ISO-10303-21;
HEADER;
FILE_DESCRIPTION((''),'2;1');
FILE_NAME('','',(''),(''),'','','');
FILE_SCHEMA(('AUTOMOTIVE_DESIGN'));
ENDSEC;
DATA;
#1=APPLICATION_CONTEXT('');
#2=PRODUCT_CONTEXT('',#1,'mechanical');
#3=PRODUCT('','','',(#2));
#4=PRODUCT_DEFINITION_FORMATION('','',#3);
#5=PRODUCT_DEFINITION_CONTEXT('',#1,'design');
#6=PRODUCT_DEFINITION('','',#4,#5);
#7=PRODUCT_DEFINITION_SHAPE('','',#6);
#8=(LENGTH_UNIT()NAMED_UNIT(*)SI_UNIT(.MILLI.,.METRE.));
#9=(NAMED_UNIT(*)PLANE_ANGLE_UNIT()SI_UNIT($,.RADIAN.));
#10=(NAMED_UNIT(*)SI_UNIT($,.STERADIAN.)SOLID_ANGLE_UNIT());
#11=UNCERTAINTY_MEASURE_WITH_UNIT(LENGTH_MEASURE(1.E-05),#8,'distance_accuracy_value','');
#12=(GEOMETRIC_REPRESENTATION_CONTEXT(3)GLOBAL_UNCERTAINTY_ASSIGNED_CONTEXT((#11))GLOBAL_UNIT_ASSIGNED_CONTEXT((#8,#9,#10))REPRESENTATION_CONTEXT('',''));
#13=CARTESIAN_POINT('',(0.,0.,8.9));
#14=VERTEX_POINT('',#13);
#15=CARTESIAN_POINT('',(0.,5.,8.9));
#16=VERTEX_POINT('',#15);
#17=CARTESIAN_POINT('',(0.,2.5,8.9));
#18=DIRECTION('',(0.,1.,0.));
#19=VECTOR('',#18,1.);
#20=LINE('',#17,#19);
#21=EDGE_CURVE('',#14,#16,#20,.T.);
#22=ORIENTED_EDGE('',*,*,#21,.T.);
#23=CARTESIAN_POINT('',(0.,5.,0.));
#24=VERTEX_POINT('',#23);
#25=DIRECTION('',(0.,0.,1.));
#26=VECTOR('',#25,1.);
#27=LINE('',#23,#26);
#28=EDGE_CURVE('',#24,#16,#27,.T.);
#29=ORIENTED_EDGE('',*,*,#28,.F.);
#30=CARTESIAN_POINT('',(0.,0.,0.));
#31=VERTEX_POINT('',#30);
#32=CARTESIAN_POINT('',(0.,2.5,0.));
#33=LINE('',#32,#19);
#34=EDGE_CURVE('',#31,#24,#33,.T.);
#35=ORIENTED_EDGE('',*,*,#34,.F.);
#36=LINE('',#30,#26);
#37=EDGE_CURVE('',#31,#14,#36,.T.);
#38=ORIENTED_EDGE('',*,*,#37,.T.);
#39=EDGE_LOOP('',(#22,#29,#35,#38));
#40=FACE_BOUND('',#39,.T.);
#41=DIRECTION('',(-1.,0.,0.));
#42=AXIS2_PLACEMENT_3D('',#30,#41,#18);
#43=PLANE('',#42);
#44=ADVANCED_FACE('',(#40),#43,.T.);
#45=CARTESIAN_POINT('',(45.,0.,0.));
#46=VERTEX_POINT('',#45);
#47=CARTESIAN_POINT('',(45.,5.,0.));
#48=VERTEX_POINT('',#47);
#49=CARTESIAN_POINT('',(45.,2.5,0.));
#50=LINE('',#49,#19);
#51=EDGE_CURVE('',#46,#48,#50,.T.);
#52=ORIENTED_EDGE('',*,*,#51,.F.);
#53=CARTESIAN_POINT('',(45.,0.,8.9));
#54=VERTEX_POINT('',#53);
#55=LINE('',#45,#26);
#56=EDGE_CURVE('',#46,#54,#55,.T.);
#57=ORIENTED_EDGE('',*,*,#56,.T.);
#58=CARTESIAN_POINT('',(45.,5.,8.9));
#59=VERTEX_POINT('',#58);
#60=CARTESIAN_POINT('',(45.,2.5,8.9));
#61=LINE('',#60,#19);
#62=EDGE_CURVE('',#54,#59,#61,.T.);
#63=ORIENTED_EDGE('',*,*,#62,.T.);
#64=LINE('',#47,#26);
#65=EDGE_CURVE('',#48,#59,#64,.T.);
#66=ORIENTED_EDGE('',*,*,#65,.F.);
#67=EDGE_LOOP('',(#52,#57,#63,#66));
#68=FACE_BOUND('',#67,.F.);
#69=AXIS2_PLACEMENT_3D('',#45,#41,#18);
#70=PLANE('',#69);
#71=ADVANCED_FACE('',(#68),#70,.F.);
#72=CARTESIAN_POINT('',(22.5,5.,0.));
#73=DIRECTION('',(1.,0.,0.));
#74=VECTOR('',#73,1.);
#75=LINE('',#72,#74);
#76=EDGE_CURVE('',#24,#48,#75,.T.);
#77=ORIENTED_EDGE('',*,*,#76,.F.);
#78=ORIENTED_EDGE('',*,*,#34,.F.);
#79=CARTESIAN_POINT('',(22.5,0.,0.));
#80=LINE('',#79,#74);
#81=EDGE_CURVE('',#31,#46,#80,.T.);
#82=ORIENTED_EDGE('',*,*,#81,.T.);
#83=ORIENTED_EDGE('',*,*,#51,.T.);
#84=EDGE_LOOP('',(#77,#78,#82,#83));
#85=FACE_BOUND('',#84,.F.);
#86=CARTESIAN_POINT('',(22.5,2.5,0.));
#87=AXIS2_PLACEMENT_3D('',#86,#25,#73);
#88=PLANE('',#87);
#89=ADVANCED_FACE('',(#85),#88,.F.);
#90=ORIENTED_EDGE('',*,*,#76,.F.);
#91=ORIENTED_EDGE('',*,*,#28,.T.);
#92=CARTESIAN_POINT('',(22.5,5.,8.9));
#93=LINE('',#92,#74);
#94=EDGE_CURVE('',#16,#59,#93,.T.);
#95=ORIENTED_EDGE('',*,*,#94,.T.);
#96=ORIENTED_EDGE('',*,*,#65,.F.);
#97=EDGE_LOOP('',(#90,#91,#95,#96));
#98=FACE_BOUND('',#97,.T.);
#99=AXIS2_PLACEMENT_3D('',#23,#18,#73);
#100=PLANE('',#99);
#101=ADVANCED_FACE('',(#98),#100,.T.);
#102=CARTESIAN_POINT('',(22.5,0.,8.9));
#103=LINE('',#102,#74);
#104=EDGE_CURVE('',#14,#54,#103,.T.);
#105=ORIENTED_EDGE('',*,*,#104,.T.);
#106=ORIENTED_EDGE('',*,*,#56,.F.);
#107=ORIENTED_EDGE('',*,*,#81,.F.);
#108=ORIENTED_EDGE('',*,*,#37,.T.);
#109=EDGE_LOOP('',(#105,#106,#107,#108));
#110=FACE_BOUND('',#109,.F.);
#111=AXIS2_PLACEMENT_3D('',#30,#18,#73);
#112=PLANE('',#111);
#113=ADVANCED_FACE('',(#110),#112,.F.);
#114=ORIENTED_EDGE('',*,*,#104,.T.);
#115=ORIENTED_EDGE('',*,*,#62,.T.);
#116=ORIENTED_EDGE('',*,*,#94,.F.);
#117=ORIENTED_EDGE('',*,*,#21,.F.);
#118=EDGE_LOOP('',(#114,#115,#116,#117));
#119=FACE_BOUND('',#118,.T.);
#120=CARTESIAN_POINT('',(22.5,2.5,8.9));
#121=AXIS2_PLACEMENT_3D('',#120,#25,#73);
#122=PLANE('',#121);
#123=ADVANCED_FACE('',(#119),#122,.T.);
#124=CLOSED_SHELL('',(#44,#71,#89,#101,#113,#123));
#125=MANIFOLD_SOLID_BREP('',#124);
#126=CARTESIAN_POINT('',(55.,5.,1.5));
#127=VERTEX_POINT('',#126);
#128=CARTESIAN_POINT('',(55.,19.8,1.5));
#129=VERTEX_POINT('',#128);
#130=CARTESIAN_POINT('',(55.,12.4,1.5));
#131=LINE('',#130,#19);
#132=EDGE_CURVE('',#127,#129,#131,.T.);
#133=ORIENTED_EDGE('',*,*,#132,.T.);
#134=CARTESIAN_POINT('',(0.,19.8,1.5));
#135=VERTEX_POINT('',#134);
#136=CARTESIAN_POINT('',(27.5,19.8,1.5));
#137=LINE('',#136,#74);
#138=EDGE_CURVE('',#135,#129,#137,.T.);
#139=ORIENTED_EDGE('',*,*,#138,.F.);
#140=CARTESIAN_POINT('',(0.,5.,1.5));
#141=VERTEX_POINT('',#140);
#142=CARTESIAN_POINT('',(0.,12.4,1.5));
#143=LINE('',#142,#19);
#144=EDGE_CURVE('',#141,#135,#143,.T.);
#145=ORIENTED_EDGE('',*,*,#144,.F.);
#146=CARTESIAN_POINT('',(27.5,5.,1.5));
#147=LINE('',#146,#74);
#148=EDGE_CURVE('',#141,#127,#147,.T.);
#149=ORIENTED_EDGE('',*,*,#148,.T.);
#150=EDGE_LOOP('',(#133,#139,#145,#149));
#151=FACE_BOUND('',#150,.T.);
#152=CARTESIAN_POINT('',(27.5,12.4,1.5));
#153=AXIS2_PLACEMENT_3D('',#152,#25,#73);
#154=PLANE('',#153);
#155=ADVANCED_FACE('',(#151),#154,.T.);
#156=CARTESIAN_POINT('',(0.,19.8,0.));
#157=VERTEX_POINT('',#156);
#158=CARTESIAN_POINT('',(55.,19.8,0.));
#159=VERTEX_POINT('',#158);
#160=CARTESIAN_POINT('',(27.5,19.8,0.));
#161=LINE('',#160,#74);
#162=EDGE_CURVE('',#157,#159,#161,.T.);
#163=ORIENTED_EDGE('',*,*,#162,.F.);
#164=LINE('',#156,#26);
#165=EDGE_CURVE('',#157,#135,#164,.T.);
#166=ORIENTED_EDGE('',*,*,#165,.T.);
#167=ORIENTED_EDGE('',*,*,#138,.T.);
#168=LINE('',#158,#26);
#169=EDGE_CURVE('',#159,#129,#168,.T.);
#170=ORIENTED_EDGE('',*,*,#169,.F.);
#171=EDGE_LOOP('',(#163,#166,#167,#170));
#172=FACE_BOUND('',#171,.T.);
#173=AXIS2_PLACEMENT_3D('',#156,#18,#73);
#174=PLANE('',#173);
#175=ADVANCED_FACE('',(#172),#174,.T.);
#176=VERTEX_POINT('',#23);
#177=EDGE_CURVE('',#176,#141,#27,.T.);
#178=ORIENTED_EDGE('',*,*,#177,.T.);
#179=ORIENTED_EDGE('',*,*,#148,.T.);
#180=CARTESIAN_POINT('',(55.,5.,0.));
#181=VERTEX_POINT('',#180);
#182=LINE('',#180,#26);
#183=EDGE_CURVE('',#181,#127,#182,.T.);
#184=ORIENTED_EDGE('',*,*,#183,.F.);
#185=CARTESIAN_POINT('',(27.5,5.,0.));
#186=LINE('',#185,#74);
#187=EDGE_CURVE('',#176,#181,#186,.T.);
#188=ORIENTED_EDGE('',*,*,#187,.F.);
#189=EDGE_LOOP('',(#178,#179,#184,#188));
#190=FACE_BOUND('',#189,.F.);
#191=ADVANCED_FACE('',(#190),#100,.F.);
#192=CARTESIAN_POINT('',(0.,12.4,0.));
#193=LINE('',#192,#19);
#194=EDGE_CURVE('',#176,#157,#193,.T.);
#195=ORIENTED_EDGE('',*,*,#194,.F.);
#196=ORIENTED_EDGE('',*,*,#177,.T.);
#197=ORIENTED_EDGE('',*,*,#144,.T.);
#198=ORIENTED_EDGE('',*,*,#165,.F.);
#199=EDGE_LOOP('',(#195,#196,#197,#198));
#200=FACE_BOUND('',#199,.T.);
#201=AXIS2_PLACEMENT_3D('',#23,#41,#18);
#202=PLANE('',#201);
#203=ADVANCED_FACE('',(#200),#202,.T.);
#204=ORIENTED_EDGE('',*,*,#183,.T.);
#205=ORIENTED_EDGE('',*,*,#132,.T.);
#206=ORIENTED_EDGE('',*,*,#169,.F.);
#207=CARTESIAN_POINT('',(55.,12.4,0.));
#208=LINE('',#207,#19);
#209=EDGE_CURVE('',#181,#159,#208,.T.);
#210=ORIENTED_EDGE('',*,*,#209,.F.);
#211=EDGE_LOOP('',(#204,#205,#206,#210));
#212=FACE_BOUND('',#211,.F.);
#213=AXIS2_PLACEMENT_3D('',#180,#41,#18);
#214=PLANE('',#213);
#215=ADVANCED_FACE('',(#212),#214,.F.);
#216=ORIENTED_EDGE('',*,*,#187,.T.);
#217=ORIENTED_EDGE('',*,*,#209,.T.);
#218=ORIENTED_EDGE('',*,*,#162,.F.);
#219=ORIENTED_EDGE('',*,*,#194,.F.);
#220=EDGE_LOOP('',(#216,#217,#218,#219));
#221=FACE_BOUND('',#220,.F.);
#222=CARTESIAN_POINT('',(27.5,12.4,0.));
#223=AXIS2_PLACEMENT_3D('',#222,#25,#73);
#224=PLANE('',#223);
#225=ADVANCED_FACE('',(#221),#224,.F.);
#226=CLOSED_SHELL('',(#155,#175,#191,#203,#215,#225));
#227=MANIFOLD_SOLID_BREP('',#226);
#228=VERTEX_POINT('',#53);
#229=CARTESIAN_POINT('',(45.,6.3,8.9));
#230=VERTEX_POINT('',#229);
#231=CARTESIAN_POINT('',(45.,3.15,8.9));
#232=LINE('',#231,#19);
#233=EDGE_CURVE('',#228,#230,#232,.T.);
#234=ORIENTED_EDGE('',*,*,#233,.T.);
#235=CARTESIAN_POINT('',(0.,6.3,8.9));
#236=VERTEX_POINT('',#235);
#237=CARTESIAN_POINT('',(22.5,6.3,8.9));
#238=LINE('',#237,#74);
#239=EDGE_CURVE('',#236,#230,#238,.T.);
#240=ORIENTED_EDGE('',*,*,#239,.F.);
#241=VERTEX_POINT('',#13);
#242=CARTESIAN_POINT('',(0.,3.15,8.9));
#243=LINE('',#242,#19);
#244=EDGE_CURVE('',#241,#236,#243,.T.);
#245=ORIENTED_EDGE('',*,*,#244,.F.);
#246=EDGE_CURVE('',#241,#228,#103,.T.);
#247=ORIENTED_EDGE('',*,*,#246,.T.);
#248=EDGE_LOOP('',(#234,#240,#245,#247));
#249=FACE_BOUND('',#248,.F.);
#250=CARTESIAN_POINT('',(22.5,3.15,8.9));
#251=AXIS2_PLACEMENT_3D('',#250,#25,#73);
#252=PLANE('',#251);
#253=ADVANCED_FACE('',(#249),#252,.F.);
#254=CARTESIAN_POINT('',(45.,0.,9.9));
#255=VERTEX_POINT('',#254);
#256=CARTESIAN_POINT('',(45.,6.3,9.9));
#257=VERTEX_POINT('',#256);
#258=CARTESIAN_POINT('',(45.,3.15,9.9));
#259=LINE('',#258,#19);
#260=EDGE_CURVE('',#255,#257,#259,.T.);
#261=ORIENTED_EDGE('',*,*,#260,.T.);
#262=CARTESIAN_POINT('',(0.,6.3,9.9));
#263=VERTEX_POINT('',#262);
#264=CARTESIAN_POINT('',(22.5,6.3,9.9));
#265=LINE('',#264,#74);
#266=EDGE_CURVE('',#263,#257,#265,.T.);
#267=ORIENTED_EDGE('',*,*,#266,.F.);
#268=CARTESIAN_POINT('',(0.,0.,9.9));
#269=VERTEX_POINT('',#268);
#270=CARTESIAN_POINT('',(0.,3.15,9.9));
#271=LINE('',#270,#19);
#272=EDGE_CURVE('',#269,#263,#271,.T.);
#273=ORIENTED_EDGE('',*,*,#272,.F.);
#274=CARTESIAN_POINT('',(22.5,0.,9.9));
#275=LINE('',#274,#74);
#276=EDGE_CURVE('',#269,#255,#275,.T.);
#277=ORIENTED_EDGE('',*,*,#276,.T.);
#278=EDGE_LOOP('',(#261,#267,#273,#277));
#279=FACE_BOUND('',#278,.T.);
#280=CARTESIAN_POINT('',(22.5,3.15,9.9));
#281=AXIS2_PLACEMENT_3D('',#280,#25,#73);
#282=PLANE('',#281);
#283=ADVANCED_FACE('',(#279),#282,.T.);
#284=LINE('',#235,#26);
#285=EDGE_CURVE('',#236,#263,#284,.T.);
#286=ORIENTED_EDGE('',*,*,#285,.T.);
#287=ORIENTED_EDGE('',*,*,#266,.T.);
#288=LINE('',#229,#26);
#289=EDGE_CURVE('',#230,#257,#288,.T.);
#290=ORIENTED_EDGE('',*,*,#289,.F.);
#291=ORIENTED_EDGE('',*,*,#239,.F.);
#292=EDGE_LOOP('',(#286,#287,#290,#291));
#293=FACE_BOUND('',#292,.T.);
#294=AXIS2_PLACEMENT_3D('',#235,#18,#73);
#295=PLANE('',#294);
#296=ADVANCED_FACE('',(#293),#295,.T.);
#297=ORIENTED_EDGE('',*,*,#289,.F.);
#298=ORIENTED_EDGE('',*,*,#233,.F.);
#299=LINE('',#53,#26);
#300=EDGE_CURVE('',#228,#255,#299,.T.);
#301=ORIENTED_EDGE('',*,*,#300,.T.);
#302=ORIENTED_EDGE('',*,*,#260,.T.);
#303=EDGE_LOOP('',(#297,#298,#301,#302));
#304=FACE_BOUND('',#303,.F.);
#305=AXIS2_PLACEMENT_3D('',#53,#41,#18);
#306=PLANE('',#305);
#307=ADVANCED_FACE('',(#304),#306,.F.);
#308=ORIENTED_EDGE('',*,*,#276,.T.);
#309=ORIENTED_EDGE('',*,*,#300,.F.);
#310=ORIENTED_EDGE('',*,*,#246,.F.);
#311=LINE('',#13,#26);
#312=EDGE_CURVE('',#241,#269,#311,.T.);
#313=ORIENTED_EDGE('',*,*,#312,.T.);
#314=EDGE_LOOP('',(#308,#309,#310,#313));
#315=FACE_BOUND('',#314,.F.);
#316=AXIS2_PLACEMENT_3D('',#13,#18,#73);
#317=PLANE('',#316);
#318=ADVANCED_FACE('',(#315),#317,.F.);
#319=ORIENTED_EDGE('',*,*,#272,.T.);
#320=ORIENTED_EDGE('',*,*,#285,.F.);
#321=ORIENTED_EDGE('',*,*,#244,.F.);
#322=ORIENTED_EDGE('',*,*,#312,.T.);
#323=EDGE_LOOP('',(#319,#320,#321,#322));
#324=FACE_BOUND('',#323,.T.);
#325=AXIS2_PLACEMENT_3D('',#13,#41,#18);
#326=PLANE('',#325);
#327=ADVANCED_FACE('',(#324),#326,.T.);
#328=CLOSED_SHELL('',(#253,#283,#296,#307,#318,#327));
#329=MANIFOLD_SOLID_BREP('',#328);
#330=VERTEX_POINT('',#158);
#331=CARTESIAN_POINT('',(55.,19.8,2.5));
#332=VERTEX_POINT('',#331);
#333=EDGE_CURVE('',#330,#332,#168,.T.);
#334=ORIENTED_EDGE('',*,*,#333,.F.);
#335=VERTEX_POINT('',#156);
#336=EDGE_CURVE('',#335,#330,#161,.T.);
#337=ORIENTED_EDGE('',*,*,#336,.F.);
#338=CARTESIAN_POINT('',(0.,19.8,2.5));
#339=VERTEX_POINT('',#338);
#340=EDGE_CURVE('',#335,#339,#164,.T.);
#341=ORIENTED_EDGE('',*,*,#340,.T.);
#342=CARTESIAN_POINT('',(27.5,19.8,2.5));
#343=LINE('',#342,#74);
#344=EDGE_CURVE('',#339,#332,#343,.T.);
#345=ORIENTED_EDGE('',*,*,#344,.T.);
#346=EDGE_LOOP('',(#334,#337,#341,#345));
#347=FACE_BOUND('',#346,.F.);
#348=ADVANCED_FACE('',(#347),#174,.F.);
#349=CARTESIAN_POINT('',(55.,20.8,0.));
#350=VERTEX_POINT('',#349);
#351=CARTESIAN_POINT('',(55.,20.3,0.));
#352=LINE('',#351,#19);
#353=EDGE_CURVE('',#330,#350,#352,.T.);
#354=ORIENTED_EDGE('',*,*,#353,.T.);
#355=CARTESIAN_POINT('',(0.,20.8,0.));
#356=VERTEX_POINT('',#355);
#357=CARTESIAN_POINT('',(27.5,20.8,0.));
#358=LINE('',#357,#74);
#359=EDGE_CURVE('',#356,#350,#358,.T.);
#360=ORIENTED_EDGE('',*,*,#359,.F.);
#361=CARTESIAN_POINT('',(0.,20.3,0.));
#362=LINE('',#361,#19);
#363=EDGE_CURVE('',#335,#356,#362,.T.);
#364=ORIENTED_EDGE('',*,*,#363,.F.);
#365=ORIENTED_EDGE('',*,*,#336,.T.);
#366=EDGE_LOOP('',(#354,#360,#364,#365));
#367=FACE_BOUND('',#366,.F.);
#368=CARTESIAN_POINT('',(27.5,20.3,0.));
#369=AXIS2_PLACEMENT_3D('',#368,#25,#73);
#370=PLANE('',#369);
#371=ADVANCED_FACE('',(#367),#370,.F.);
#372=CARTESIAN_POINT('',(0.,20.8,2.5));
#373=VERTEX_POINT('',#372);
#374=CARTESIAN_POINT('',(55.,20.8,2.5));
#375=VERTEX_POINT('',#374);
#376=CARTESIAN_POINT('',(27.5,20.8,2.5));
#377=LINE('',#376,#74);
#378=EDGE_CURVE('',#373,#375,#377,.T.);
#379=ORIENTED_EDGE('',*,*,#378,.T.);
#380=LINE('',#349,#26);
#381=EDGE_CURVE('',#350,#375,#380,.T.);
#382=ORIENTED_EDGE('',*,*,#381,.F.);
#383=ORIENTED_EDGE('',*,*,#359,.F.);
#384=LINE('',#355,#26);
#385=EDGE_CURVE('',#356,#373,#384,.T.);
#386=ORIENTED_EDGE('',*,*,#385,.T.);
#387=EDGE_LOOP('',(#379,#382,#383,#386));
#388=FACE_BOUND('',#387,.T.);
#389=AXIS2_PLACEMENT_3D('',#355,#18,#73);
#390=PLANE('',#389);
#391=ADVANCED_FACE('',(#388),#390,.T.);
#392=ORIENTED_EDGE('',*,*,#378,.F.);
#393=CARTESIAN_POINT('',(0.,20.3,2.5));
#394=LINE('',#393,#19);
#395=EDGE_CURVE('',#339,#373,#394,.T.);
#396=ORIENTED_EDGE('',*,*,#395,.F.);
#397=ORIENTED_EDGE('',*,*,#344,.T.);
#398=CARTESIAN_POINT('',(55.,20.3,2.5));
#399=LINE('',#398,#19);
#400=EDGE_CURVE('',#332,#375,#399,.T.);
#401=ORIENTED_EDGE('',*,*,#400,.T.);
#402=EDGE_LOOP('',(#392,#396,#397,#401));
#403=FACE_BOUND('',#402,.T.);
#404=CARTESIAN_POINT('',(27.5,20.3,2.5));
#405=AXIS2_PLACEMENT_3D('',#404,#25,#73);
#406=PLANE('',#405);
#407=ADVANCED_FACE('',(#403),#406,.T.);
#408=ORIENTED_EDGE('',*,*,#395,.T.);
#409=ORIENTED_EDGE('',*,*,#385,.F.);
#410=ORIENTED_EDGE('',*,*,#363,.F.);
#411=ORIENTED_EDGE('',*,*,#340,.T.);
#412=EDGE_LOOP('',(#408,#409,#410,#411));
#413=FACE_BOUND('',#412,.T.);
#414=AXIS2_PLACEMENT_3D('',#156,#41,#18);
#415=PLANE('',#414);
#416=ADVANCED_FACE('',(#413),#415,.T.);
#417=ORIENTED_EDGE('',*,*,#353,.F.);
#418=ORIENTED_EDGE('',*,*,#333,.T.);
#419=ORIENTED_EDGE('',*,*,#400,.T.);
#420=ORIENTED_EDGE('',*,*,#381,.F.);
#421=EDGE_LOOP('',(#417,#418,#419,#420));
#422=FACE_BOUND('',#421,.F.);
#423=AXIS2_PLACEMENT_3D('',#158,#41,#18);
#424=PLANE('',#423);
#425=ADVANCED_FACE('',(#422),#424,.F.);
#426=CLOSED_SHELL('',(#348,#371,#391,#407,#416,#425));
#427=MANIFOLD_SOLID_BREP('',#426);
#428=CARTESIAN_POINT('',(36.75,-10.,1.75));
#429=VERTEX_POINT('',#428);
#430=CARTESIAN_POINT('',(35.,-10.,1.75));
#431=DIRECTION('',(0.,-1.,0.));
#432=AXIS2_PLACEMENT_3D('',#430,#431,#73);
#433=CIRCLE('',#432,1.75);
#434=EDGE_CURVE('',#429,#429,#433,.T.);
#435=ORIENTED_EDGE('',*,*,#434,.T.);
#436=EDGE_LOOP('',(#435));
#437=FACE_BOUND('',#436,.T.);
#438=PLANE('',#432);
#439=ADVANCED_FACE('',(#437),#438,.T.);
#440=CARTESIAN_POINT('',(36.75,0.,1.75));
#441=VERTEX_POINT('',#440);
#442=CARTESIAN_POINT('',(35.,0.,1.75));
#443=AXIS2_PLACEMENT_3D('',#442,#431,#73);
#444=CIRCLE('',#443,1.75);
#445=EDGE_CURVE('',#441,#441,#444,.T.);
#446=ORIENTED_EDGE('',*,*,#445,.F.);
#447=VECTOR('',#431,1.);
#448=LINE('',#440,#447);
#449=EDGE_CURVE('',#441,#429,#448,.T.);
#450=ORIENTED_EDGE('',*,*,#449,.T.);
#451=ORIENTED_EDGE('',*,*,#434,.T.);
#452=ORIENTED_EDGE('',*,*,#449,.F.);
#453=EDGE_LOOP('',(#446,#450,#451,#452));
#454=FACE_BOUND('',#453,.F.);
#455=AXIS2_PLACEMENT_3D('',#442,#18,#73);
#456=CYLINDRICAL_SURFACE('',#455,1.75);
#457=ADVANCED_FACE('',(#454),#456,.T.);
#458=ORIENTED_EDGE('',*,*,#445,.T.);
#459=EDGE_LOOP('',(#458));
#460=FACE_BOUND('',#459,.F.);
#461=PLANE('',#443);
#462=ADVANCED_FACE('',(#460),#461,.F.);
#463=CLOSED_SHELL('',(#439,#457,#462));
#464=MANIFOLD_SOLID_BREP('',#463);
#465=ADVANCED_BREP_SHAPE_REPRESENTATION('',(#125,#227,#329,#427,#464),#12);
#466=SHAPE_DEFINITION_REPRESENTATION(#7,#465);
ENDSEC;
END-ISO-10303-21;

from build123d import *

# Parameters (mm, degrees)
BOX_W          = 45
BOX_H          = 5
BOX_DEPTH      = 8.9
BOX001_W       = 55
BOX001_H       = 14.8
BOX001_DEPTH   = 1.5
BOX002_W       = 55
BOX002_H       = 1
BOX002_DEPTH   = 2.5
BOX003_W       = 45
BOX003_H       = 6.3
BOX003_DEPTH   = 1
CYLINDER_R     = 1.75
CYLINDER_DEPTH = 10


with BuildPart() as cube:
    # Box → Box (new body)
    with BuildSketch(Plane.XY):
        with Locations((22.5, 2.5)):
            Rectangle(BOX_W, BOX_H)
    extrude(amount=BOX_DEPTH)


with BuildPart() as cube001:
    # Box001 → Box001 (new body)
    with BuildSketch(Plane(origin=(0, 5, 0), x_dir=(1, 0, 0), z_dir=(0, 0, 1))):
        with Locations((27.5, 7.4)):
            Rectangle(BOX001_W, BOX001_H)
    extrude(amount=BOX001_DEPTH)


with BuildPart() as cube002:
    # Box002 → Box002 (new body)
    with BuildSketch(Plane(origin=(0, 19.8, 0), x_dir=(1, 0, 0), z_dir=(0, 0, 1))):
        with Locations((27.5, 0.5)):
            Rectangle(BOX002_W, BOX002_H)
    extrude(amount=BOX002_DEPTH)


with BuildPart() as cube003:
    # Box003 → Box003 (new body)
    with BuildSketch(Plane.XY.offset(8.9)):
        with Locations((22.5, 3.15)):
            Rectangle(BOX003_W, BOX003_H)
    extrude(amount=BOX003_DEPTH)


with BuildPart() as cylinder:
    # Cylinder → Cylinder (new body)
    with BuildSketch(Plane(origin=(35, 0, 1.75), x_dir=(1, 0, 0), z_dir=(0, -1, 0))):
        Circle(CYLINDER_R)
    extrude(amount=CYLINDER_DEPTH)


solid = Compound([cube.part, cube001.part, cube002.part, cube003.part, cylinder.part])
